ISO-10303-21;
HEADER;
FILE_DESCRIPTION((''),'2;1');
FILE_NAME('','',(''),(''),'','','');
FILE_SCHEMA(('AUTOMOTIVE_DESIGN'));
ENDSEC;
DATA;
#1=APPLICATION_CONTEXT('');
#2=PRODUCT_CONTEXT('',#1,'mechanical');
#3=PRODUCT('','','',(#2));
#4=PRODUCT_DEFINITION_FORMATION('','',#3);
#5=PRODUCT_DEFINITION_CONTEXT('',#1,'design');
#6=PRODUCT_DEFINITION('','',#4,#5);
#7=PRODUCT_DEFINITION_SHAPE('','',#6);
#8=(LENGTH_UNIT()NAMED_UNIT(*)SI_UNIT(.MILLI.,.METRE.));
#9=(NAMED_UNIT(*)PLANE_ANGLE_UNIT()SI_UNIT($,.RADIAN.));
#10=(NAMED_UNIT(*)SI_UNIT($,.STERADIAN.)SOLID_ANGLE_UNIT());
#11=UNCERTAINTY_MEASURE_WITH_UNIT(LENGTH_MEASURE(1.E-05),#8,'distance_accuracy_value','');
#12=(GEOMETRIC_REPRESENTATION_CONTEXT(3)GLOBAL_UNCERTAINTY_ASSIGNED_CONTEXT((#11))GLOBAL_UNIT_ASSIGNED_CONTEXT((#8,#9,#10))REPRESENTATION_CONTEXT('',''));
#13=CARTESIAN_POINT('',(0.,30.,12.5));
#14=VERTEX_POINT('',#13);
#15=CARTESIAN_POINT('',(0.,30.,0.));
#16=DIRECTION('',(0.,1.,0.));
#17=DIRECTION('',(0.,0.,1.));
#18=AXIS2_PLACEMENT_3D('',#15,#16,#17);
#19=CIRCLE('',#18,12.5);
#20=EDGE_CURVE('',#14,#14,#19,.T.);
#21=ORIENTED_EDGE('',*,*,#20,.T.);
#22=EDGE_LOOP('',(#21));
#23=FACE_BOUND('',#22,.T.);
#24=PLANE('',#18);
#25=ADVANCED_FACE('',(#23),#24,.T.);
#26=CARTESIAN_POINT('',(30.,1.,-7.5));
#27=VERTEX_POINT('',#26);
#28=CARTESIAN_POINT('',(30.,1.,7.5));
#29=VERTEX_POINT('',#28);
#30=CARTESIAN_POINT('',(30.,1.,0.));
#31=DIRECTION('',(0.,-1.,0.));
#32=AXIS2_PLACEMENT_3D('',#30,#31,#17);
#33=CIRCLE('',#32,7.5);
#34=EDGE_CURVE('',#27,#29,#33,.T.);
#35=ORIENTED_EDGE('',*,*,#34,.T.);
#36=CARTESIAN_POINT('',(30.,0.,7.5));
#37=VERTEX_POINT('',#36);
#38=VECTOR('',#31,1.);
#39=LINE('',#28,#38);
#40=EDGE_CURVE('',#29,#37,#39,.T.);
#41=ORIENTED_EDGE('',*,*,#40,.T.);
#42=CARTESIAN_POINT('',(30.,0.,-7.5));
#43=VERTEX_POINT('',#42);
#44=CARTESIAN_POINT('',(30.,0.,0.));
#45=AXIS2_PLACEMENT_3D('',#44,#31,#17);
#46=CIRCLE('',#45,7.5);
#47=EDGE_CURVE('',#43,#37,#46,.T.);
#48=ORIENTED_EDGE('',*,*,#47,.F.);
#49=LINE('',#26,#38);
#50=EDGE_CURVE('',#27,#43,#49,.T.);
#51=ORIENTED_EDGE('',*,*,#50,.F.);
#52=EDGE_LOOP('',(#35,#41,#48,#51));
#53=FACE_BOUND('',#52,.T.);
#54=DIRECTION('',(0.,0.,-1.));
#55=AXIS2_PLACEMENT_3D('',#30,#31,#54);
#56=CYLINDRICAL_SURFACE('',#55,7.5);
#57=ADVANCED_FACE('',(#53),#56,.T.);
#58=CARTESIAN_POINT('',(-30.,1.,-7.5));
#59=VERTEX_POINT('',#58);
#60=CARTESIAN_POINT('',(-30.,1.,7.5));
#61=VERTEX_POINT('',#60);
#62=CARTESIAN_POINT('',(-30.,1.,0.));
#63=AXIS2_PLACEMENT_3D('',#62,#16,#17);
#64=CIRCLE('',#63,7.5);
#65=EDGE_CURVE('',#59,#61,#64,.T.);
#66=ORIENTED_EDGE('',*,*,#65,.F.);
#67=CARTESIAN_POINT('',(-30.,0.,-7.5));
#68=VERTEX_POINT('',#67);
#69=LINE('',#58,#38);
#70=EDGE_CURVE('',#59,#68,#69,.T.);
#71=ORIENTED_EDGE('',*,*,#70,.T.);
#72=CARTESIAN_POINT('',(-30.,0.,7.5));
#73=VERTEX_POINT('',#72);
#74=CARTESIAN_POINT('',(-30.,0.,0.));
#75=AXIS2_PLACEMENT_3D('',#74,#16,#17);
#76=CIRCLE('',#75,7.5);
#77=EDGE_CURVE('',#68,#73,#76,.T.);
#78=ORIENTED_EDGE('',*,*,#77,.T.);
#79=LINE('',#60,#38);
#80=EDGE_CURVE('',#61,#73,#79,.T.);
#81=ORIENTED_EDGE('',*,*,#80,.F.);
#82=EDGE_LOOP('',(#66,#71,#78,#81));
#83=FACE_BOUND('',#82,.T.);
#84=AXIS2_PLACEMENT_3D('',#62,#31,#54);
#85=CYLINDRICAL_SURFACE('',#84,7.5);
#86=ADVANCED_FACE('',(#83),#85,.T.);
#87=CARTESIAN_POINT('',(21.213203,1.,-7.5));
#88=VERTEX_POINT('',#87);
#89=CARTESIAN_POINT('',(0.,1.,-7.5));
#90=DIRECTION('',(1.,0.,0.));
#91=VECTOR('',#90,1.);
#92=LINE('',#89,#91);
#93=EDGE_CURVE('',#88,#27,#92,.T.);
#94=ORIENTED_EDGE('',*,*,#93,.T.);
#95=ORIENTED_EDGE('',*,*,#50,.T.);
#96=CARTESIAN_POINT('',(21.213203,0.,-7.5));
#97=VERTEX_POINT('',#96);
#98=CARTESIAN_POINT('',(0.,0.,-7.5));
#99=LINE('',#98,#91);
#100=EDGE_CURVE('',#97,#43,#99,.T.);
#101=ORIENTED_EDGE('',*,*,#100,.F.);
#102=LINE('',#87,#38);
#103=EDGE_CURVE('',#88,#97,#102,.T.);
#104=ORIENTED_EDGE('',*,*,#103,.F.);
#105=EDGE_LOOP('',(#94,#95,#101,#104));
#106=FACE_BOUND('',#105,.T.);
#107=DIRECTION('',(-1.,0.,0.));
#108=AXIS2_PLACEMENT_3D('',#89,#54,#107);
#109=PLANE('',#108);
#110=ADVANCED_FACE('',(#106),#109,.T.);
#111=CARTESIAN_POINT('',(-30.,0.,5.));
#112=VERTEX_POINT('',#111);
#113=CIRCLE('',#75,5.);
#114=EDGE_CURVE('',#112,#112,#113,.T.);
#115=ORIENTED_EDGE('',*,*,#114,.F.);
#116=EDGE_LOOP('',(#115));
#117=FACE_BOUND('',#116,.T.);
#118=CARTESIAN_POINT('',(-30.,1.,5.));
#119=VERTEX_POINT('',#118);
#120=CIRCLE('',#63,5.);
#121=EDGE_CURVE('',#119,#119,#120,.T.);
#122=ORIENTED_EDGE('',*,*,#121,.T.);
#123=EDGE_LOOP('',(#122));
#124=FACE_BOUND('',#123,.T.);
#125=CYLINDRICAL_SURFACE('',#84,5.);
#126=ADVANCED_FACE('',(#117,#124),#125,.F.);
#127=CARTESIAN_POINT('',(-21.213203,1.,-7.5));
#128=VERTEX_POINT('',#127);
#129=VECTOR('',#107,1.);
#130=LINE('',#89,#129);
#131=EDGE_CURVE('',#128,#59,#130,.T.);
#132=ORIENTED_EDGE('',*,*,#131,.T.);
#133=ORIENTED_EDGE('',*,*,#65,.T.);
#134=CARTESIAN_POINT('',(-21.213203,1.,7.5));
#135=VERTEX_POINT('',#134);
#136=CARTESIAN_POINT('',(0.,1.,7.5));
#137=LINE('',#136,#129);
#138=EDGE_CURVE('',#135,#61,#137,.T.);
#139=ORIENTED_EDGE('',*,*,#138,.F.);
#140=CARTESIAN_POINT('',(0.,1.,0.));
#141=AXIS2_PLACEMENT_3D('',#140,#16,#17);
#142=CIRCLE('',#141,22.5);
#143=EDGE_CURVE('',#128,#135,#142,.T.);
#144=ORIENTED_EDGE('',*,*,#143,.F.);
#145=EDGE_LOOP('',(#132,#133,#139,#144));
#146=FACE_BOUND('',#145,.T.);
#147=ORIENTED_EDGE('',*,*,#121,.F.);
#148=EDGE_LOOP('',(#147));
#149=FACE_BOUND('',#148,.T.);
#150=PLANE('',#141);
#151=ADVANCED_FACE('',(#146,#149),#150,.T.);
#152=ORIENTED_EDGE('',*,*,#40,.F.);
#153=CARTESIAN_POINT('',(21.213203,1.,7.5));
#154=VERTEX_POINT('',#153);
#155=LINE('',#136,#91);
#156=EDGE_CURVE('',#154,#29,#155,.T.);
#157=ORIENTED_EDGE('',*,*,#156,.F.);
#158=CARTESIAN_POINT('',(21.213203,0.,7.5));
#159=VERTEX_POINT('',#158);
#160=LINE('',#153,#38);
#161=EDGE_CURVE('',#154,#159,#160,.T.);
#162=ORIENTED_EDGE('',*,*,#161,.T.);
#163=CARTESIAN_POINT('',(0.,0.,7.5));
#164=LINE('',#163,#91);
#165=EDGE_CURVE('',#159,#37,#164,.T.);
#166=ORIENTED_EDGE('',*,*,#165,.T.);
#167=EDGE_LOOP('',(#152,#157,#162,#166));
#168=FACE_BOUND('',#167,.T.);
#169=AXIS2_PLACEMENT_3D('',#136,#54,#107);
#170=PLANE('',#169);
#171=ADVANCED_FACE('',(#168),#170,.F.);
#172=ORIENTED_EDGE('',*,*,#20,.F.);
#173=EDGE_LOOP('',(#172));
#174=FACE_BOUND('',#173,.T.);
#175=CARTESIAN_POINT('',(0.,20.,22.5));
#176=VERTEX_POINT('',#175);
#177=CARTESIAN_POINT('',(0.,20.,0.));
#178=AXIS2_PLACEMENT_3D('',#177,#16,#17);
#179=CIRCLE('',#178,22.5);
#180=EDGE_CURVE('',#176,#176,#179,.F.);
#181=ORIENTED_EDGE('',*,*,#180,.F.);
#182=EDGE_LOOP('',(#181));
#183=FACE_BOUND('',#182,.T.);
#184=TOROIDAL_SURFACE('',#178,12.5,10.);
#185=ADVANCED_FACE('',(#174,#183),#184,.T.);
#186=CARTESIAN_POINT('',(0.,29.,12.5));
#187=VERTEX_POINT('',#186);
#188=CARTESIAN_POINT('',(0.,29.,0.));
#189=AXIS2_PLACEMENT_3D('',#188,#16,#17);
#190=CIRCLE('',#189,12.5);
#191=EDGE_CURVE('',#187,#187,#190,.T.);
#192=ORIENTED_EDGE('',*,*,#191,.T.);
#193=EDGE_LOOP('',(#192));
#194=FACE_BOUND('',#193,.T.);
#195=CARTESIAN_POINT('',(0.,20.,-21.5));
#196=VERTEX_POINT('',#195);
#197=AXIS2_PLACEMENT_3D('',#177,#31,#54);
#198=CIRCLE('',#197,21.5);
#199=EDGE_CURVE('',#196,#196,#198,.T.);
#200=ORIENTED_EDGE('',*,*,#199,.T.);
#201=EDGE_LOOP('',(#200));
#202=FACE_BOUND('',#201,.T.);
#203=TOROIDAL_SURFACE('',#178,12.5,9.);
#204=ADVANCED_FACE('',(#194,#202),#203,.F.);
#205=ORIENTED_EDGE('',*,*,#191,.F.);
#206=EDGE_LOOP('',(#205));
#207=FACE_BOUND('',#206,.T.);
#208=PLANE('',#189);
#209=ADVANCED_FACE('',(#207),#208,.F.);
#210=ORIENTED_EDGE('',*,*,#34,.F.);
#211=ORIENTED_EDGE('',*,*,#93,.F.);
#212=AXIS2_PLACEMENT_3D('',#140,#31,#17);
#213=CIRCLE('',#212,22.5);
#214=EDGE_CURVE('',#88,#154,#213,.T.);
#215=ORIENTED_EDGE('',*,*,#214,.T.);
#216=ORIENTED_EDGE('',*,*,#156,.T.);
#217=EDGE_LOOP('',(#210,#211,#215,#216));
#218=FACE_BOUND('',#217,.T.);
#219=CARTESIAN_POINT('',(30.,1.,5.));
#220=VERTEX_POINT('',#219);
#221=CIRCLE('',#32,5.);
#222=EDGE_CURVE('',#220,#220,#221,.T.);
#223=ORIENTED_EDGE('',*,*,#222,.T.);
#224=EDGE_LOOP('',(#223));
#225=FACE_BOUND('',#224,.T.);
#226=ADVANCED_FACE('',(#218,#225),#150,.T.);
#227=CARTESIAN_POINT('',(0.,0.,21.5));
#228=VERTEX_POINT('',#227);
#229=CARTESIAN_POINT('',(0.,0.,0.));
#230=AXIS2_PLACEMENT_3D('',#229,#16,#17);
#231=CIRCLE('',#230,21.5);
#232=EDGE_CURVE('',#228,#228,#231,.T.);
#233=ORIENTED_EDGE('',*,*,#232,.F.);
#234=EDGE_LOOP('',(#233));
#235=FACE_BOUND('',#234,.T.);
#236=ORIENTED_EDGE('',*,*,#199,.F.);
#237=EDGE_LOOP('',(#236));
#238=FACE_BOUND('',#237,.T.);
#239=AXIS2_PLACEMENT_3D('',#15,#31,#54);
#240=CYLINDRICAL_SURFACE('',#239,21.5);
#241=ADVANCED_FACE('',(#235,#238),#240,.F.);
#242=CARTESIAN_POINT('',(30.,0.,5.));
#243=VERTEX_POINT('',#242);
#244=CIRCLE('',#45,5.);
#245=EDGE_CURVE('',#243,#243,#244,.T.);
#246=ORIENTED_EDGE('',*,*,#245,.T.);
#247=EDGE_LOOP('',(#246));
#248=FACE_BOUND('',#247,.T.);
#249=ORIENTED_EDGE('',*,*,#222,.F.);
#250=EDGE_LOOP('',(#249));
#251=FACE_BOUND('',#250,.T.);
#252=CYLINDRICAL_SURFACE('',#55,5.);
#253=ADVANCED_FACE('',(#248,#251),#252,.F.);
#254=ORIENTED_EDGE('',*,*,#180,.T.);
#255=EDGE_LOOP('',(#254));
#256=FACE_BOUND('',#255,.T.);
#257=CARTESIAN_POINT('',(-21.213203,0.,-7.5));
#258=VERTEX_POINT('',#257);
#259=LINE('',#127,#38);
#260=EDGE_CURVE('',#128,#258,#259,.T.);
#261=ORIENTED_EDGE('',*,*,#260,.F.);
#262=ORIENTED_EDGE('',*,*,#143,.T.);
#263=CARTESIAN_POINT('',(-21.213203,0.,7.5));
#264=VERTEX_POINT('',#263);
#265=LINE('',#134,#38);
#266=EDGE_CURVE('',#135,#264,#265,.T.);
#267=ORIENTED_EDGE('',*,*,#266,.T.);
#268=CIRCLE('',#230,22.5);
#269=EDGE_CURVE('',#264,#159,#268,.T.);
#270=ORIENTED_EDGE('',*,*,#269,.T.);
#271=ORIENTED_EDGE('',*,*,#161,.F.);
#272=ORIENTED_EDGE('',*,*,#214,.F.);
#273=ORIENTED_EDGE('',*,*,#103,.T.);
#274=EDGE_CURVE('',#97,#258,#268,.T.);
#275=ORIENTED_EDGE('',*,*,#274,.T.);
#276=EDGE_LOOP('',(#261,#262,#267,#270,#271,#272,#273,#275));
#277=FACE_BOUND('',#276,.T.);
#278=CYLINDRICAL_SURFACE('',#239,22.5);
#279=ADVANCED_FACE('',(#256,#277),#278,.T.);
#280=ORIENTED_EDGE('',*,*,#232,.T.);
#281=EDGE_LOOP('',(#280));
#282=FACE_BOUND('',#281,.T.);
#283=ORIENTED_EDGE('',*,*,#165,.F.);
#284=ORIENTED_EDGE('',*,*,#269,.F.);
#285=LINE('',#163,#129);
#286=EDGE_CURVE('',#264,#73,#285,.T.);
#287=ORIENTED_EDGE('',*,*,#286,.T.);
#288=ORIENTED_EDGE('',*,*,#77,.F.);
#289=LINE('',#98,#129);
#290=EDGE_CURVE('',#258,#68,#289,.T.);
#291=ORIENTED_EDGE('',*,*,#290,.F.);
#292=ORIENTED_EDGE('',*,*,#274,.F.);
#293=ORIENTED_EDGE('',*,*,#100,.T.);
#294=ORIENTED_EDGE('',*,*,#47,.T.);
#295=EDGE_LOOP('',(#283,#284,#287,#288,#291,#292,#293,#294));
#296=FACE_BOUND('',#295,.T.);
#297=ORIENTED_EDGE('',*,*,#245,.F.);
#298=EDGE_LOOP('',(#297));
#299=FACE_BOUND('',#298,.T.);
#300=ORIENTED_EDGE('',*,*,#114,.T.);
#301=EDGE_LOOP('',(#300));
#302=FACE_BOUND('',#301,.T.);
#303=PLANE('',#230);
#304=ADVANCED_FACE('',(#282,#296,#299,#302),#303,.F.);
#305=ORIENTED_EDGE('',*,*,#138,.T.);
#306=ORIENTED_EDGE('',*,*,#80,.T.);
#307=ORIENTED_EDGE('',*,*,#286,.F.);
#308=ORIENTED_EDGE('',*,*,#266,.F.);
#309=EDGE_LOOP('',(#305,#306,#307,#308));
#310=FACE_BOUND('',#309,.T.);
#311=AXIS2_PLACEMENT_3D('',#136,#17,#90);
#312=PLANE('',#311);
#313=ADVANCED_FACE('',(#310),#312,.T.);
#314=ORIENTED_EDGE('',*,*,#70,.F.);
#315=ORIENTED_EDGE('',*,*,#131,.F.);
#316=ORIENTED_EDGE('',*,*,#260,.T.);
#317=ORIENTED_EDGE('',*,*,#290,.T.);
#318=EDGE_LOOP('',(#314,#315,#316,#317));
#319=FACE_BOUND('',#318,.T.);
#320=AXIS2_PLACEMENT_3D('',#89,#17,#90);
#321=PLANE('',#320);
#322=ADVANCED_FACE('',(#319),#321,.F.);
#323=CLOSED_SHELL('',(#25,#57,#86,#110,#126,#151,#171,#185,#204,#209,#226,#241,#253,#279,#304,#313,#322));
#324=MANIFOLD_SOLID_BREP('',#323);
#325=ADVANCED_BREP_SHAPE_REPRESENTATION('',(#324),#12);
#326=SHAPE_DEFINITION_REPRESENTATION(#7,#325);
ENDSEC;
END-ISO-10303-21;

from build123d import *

# Parameters (mm, degrees)
SKETCH_2_R      = 22.5
EXTRUDE_1_DEPTH = 30
FILLET_1_R      = 10
SHELL_1_T       = -1
SKETCH_3_R      = 5
EXTRUDE_2_DEPTH = 1


with BuildPart() as part:
    # 草图2 → 凸台-拉伸1 (new body)
    with BuildSketch(Plane(origin=(0, 0, 0), x_dir=(1, 0, 0), z_dir=(0, 1, 0))):
        with Locations(Location((0, 0, 0), (0, 0, 270))):
            Circle(SKETCH_2_R)
    extrude(amount=EXTRUDE_1_DEPTH)

    # 圆角1
    fillet_1_edges = [part.edges().sort_by_distance(p)[0] for p in [
        (0, 30, -22.5),
    ]]
    fillet(fillet_1_edges, radius=FILLET_1_R)

    # 抽壳1
    shell_1_openings = [part.faces().sort_by_distance(p)[0] for p in [
        (0, 0, 0),
    ]]
    offset(amount=SHELL_1_T, openings=shell_1_openings, kind=Kind.INTERSECTION)

    # 草图3 → 凸台-拉伸2 (add)
    with BuildSketch(Plane(origin=(0, 0, 0), x_dir=(1, 0, 0), z_dir=(0, 1, 0))):
        with BuildLine():
            Line((-21.213203436, 7.5), (-30, 7.5))
            ThreePointArc((-30, 7.5), (-37.5, 0), (-30, -7.5))
            Line((-30, -7.5), (-21.213203436, -7.5))
            ThreePointArc((-21.213203436, -7.5), (-22.5, 0), (-21.213203436, 7.5))
        make_face()
        with Locations(Location((-30, 0, 0), (0, 0, 270))):
            Circle(SKETCH_3_R, mode=Mode.SUBTRACT)
    extrude_2 = extrude(amount=EXTRUDE_2_DEPTH)

    # 镜向1: 凸台-拉伸2 across plane
    add(extrude_2.mirror(Plane(origin=(0, 0, 0), x_dir=(0, 0, 1), z_dir=(1, 0, 0))))


solid = part.part
